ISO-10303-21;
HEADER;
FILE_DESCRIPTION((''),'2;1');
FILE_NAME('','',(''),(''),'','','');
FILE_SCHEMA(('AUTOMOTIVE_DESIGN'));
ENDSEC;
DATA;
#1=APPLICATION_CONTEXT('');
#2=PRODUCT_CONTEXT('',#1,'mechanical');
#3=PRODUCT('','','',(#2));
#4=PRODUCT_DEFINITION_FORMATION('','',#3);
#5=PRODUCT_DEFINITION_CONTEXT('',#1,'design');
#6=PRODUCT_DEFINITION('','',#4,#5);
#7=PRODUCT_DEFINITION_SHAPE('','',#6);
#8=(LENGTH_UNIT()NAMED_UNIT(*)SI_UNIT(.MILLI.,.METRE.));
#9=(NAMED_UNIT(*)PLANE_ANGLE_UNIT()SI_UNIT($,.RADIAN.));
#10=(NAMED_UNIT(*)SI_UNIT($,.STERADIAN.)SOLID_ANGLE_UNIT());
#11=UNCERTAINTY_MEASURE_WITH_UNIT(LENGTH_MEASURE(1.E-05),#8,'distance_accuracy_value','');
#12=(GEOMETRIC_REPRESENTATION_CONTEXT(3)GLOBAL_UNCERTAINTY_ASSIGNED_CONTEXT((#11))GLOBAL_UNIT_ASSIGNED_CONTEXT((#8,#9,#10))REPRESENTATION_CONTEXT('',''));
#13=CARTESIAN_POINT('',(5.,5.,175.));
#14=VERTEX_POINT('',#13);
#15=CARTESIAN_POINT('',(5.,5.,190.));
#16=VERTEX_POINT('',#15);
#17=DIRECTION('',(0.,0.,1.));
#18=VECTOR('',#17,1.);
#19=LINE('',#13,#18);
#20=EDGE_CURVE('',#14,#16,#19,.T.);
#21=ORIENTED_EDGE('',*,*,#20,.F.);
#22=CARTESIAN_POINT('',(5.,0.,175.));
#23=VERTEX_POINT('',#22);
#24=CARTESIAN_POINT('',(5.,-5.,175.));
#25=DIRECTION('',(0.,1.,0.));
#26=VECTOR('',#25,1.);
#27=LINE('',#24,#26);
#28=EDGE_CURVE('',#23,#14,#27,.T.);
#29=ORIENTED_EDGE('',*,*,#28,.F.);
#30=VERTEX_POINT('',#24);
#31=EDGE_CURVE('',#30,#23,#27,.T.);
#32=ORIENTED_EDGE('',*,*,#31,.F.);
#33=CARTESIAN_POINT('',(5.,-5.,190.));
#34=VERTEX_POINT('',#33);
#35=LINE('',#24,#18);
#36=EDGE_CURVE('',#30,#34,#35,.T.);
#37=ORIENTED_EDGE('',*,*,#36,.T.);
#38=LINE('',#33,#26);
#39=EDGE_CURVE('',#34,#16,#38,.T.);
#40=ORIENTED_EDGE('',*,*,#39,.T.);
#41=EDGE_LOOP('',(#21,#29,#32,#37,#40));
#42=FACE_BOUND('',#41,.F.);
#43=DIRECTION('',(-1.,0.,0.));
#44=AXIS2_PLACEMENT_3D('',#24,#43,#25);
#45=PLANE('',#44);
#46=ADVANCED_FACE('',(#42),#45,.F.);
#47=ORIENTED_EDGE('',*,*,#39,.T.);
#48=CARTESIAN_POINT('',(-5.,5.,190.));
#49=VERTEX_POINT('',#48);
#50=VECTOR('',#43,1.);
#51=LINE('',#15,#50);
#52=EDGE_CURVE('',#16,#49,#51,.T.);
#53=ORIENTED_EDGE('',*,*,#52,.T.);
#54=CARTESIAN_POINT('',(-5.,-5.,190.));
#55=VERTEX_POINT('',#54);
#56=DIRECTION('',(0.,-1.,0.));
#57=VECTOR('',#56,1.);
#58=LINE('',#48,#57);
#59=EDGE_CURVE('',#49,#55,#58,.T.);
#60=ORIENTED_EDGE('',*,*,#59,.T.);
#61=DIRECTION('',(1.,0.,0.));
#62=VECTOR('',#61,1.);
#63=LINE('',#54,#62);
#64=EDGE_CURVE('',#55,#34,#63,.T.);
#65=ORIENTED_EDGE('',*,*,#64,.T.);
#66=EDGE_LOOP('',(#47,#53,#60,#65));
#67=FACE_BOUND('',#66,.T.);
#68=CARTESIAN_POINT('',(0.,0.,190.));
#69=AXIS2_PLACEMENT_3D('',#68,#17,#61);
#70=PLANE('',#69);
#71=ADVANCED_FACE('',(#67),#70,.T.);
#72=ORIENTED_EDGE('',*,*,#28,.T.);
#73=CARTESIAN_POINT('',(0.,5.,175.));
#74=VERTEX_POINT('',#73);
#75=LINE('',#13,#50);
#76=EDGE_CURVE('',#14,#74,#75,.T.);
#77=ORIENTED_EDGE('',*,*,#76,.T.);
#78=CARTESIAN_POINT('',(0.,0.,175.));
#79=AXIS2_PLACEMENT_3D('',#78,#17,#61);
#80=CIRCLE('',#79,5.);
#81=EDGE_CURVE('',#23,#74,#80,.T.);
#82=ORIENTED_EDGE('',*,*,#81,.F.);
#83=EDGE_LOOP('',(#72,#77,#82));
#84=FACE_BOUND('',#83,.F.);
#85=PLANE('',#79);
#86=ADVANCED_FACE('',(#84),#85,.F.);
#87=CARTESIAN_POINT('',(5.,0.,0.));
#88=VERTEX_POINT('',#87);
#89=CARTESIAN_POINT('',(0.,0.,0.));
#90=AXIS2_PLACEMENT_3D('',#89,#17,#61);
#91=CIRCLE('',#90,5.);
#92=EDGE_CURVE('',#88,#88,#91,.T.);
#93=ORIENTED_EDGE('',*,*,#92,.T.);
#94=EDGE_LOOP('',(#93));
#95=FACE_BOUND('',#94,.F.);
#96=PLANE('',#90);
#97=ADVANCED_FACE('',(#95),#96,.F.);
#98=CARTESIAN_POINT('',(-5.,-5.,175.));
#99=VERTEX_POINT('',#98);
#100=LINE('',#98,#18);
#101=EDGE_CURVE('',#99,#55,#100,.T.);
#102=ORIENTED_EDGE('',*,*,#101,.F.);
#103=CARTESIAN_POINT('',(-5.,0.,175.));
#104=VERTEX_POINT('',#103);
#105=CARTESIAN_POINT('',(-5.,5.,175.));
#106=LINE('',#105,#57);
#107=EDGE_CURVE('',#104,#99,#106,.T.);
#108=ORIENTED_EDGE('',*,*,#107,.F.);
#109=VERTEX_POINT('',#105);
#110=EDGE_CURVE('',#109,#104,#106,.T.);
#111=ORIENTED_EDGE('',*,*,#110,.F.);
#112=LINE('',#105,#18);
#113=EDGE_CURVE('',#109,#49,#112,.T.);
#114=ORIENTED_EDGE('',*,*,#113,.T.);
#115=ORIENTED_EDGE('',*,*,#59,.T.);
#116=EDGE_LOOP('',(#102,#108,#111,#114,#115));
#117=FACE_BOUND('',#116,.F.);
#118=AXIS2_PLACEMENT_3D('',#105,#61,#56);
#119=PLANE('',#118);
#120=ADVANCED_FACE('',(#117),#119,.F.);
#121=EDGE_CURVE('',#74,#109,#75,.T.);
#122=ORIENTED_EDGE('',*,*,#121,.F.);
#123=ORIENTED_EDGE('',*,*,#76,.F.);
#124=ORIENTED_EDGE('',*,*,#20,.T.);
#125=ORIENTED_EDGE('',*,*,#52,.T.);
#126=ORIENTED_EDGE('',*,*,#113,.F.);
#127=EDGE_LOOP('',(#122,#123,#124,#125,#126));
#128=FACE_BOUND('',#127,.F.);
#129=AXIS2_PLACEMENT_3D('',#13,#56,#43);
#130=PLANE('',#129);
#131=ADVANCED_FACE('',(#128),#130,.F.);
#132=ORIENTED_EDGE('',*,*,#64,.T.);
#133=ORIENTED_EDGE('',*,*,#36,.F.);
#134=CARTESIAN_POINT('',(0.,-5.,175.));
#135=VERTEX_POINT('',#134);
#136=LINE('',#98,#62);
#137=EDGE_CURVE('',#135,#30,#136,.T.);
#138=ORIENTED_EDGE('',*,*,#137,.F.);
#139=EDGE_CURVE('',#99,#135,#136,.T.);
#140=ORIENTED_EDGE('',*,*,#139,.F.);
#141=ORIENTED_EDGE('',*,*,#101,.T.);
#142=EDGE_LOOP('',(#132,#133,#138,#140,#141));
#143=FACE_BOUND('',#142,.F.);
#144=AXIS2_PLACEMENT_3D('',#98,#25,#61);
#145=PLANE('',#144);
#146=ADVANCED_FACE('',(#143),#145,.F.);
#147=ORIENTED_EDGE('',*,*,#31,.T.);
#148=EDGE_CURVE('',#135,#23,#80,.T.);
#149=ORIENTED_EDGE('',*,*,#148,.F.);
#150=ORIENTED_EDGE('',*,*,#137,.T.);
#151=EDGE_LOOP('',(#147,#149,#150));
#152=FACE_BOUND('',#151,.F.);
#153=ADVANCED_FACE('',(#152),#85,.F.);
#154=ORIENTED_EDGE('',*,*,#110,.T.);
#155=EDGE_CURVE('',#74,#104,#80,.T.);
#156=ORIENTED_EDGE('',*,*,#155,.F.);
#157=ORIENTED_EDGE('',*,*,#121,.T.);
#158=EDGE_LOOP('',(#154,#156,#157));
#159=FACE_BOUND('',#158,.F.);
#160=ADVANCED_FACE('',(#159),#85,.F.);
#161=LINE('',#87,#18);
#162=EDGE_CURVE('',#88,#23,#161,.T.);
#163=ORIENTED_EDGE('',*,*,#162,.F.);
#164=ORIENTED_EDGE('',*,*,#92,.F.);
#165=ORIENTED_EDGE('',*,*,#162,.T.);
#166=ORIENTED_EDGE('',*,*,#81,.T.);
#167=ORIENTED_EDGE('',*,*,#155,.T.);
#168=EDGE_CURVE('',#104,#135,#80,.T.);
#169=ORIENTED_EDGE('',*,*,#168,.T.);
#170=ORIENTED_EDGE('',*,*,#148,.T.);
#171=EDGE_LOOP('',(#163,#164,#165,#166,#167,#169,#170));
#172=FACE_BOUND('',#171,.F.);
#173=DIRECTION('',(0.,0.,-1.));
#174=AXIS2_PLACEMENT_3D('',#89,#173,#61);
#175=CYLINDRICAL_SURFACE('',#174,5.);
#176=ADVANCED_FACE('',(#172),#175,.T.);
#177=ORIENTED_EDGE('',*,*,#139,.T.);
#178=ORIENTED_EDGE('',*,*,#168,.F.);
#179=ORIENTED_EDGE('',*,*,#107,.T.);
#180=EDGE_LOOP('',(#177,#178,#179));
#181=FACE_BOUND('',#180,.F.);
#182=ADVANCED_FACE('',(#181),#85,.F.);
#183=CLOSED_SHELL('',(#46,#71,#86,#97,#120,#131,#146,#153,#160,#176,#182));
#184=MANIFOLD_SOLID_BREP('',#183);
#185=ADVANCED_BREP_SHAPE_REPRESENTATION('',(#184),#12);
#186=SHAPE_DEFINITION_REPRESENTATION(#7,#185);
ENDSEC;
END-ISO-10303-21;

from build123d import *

# Parameters (mm, degrees)
F0_R     = 5
F1_DEPTH = 175
F3_DEPTH = 15


with BuildPart() as f1:
    # F0 (on Top) → F1 (new body)
    with BuildSketch(Plane.XY):
        Circle(F0_R)
    extrude(amount=F1_DEPTH)

    # F2 (on face) → F3 (join)
    with BuildSketch(Plane.XY.offset(175)):
        with BuildLine():
            ThreePointArc((5, 0), (3.535534, 3.535534), (0, 5))
            ThreePointArc((0, 5), (-3.535534, 3.535534), (-5, 0))
            ThreePointArc((-5, 0), (-3.535534, -3.535534), (0, -5))
            ThreePointArc((0, -5), (3.535534, -3.535534), (5, 0))
        make_face()
        with BuildLine():
            Line((5, 0), (5, 5))
            Line((5, 5), (0, 5))
            ThreePointArc((0, 5), (3.535534, 3.535534), (5, 0))
        make_face()
        with BuildLine():
            Line((5, -5), (5, 0))
            ThreePointArc((5, 0), (3.535534, -3.535534), (0, -5))
            Line((0, -5), (5, -5))
        make_face()
        with BuildLine():
            ThreePointArc((0, -5), (-3.535534, -3.535534), (-5, 0))
            Line((-5, 0), (-5, -5))
            Line((-5, -5), (0, -5))
        make_face()
        with BuildLine():
            ThreePointArc((-5, 0), (-3.535534, 3.535534), (0, 5))
            Line((0, 5), (-5, 5))
            Line((-5, 5), (-5, 0))
        make_face()
    extrude(amount=F3_DEPTH)


solid = f1.part
